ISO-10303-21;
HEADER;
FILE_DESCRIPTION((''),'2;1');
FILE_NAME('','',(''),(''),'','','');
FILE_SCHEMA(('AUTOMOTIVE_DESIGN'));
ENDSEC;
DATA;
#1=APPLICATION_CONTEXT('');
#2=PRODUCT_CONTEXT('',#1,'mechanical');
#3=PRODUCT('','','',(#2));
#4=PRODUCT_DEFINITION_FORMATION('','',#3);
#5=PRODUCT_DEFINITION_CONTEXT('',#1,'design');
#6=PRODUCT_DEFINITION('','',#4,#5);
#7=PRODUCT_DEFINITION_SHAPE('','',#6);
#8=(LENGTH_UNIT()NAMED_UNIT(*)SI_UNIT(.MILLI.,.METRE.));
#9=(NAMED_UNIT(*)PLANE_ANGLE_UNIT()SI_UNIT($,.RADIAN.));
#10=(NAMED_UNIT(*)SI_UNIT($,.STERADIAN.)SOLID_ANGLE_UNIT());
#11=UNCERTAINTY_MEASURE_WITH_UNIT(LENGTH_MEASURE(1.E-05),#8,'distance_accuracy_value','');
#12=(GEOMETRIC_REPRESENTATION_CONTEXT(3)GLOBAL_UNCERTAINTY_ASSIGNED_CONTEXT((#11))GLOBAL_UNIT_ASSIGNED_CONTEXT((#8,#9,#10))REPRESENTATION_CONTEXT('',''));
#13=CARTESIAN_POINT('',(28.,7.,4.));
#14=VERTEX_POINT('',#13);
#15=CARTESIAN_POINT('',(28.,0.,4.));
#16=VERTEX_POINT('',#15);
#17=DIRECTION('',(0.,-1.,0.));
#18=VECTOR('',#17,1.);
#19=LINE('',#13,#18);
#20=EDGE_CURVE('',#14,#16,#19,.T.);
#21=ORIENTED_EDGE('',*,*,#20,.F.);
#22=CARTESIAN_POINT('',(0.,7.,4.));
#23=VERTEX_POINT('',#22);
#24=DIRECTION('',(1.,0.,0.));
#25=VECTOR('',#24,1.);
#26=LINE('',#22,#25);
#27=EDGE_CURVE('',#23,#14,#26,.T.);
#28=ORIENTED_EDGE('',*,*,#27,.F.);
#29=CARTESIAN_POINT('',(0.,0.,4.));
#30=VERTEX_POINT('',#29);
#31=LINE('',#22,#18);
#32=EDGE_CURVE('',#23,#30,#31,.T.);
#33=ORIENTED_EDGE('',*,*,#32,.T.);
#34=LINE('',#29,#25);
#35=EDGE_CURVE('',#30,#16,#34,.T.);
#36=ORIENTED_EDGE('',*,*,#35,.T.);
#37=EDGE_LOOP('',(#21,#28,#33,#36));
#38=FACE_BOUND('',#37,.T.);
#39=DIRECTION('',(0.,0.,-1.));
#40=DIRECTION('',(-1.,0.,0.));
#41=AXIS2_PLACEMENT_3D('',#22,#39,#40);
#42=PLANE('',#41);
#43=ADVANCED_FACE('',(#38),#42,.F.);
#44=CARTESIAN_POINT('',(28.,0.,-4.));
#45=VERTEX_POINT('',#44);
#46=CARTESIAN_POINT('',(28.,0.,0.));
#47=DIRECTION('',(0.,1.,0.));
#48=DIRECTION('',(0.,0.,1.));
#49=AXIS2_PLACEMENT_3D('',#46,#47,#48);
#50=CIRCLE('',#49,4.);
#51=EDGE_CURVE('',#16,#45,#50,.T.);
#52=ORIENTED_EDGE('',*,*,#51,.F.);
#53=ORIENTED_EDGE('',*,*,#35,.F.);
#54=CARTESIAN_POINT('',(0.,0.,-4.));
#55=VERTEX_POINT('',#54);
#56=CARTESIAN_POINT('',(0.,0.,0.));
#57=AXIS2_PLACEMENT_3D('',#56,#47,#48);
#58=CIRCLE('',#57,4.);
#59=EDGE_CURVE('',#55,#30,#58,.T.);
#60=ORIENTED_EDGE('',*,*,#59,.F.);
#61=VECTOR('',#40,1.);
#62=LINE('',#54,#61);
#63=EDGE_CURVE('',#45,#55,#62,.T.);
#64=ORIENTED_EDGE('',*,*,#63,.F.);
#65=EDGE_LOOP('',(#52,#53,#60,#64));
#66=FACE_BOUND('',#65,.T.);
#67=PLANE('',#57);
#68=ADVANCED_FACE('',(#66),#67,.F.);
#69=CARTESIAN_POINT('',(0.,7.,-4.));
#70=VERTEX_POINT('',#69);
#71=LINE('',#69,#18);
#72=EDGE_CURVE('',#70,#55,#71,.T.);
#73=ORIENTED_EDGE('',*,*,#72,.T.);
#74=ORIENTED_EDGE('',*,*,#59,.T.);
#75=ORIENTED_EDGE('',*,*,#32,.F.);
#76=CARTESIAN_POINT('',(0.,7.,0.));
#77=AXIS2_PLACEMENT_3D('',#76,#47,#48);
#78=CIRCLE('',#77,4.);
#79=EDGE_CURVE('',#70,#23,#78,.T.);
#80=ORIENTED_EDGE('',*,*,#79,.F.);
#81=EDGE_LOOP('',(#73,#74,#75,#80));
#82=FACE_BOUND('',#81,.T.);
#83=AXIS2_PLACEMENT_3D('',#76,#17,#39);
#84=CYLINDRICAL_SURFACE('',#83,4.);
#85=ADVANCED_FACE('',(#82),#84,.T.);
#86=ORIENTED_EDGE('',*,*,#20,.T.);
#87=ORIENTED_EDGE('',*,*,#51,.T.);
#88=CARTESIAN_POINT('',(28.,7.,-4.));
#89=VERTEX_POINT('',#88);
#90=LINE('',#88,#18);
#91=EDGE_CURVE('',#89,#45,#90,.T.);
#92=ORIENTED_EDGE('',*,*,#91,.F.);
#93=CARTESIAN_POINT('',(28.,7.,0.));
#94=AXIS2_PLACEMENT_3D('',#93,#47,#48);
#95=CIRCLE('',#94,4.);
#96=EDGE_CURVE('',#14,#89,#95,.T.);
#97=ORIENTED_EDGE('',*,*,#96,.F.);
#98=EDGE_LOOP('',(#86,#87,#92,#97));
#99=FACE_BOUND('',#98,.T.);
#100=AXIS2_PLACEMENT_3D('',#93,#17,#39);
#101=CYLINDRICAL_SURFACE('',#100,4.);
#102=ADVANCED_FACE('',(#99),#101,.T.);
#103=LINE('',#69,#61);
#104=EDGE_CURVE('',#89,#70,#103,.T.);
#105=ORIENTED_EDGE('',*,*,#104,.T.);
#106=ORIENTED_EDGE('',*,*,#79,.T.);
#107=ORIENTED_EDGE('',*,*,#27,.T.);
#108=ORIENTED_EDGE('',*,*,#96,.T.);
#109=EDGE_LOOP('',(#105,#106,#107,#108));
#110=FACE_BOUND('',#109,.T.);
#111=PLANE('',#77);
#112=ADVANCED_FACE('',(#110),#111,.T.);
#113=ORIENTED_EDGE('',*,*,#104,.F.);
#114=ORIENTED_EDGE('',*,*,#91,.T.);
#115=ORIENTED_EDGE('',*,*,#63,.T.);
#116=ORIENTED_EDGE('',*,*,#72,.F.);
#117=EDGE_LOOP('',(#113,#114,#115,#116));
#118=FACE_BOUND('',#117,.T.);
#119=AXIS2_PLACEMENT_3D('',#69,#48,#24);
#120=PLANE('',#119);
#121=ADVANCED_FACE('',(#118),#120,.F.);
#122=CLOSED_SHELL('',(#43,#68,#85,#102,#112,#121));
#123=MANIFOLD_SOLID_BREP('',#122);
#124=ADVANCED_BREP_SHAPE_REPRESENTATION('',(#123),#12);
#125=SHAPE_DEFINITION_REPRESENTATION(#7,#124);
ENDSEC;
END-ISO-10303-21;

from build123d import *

# Parameters (mm, degrees)
EXTRUDE_1_DEPTH = 7


with BuildPart() as part:
    # Эскиз1 → Бобышка-Вытянуть1 (new body)
    with BuildSketch(Plane(origin=(0, 0, 0), x_dir=(1, 0, 0), z_dir=(0, 1, 0))):
        with BuildLine():
            Line((0, 4), (28, 4))
            ThreePointArc((28, 4), (32, 0), (28, -4))
            Line((28, -4), (0, -4))
            ThreePointArc((0, -4), (-4, 0), (0, 4))
        make_face()
    extrude(amount=EXTRUDE_1_DEPTH)


solid = part.part
